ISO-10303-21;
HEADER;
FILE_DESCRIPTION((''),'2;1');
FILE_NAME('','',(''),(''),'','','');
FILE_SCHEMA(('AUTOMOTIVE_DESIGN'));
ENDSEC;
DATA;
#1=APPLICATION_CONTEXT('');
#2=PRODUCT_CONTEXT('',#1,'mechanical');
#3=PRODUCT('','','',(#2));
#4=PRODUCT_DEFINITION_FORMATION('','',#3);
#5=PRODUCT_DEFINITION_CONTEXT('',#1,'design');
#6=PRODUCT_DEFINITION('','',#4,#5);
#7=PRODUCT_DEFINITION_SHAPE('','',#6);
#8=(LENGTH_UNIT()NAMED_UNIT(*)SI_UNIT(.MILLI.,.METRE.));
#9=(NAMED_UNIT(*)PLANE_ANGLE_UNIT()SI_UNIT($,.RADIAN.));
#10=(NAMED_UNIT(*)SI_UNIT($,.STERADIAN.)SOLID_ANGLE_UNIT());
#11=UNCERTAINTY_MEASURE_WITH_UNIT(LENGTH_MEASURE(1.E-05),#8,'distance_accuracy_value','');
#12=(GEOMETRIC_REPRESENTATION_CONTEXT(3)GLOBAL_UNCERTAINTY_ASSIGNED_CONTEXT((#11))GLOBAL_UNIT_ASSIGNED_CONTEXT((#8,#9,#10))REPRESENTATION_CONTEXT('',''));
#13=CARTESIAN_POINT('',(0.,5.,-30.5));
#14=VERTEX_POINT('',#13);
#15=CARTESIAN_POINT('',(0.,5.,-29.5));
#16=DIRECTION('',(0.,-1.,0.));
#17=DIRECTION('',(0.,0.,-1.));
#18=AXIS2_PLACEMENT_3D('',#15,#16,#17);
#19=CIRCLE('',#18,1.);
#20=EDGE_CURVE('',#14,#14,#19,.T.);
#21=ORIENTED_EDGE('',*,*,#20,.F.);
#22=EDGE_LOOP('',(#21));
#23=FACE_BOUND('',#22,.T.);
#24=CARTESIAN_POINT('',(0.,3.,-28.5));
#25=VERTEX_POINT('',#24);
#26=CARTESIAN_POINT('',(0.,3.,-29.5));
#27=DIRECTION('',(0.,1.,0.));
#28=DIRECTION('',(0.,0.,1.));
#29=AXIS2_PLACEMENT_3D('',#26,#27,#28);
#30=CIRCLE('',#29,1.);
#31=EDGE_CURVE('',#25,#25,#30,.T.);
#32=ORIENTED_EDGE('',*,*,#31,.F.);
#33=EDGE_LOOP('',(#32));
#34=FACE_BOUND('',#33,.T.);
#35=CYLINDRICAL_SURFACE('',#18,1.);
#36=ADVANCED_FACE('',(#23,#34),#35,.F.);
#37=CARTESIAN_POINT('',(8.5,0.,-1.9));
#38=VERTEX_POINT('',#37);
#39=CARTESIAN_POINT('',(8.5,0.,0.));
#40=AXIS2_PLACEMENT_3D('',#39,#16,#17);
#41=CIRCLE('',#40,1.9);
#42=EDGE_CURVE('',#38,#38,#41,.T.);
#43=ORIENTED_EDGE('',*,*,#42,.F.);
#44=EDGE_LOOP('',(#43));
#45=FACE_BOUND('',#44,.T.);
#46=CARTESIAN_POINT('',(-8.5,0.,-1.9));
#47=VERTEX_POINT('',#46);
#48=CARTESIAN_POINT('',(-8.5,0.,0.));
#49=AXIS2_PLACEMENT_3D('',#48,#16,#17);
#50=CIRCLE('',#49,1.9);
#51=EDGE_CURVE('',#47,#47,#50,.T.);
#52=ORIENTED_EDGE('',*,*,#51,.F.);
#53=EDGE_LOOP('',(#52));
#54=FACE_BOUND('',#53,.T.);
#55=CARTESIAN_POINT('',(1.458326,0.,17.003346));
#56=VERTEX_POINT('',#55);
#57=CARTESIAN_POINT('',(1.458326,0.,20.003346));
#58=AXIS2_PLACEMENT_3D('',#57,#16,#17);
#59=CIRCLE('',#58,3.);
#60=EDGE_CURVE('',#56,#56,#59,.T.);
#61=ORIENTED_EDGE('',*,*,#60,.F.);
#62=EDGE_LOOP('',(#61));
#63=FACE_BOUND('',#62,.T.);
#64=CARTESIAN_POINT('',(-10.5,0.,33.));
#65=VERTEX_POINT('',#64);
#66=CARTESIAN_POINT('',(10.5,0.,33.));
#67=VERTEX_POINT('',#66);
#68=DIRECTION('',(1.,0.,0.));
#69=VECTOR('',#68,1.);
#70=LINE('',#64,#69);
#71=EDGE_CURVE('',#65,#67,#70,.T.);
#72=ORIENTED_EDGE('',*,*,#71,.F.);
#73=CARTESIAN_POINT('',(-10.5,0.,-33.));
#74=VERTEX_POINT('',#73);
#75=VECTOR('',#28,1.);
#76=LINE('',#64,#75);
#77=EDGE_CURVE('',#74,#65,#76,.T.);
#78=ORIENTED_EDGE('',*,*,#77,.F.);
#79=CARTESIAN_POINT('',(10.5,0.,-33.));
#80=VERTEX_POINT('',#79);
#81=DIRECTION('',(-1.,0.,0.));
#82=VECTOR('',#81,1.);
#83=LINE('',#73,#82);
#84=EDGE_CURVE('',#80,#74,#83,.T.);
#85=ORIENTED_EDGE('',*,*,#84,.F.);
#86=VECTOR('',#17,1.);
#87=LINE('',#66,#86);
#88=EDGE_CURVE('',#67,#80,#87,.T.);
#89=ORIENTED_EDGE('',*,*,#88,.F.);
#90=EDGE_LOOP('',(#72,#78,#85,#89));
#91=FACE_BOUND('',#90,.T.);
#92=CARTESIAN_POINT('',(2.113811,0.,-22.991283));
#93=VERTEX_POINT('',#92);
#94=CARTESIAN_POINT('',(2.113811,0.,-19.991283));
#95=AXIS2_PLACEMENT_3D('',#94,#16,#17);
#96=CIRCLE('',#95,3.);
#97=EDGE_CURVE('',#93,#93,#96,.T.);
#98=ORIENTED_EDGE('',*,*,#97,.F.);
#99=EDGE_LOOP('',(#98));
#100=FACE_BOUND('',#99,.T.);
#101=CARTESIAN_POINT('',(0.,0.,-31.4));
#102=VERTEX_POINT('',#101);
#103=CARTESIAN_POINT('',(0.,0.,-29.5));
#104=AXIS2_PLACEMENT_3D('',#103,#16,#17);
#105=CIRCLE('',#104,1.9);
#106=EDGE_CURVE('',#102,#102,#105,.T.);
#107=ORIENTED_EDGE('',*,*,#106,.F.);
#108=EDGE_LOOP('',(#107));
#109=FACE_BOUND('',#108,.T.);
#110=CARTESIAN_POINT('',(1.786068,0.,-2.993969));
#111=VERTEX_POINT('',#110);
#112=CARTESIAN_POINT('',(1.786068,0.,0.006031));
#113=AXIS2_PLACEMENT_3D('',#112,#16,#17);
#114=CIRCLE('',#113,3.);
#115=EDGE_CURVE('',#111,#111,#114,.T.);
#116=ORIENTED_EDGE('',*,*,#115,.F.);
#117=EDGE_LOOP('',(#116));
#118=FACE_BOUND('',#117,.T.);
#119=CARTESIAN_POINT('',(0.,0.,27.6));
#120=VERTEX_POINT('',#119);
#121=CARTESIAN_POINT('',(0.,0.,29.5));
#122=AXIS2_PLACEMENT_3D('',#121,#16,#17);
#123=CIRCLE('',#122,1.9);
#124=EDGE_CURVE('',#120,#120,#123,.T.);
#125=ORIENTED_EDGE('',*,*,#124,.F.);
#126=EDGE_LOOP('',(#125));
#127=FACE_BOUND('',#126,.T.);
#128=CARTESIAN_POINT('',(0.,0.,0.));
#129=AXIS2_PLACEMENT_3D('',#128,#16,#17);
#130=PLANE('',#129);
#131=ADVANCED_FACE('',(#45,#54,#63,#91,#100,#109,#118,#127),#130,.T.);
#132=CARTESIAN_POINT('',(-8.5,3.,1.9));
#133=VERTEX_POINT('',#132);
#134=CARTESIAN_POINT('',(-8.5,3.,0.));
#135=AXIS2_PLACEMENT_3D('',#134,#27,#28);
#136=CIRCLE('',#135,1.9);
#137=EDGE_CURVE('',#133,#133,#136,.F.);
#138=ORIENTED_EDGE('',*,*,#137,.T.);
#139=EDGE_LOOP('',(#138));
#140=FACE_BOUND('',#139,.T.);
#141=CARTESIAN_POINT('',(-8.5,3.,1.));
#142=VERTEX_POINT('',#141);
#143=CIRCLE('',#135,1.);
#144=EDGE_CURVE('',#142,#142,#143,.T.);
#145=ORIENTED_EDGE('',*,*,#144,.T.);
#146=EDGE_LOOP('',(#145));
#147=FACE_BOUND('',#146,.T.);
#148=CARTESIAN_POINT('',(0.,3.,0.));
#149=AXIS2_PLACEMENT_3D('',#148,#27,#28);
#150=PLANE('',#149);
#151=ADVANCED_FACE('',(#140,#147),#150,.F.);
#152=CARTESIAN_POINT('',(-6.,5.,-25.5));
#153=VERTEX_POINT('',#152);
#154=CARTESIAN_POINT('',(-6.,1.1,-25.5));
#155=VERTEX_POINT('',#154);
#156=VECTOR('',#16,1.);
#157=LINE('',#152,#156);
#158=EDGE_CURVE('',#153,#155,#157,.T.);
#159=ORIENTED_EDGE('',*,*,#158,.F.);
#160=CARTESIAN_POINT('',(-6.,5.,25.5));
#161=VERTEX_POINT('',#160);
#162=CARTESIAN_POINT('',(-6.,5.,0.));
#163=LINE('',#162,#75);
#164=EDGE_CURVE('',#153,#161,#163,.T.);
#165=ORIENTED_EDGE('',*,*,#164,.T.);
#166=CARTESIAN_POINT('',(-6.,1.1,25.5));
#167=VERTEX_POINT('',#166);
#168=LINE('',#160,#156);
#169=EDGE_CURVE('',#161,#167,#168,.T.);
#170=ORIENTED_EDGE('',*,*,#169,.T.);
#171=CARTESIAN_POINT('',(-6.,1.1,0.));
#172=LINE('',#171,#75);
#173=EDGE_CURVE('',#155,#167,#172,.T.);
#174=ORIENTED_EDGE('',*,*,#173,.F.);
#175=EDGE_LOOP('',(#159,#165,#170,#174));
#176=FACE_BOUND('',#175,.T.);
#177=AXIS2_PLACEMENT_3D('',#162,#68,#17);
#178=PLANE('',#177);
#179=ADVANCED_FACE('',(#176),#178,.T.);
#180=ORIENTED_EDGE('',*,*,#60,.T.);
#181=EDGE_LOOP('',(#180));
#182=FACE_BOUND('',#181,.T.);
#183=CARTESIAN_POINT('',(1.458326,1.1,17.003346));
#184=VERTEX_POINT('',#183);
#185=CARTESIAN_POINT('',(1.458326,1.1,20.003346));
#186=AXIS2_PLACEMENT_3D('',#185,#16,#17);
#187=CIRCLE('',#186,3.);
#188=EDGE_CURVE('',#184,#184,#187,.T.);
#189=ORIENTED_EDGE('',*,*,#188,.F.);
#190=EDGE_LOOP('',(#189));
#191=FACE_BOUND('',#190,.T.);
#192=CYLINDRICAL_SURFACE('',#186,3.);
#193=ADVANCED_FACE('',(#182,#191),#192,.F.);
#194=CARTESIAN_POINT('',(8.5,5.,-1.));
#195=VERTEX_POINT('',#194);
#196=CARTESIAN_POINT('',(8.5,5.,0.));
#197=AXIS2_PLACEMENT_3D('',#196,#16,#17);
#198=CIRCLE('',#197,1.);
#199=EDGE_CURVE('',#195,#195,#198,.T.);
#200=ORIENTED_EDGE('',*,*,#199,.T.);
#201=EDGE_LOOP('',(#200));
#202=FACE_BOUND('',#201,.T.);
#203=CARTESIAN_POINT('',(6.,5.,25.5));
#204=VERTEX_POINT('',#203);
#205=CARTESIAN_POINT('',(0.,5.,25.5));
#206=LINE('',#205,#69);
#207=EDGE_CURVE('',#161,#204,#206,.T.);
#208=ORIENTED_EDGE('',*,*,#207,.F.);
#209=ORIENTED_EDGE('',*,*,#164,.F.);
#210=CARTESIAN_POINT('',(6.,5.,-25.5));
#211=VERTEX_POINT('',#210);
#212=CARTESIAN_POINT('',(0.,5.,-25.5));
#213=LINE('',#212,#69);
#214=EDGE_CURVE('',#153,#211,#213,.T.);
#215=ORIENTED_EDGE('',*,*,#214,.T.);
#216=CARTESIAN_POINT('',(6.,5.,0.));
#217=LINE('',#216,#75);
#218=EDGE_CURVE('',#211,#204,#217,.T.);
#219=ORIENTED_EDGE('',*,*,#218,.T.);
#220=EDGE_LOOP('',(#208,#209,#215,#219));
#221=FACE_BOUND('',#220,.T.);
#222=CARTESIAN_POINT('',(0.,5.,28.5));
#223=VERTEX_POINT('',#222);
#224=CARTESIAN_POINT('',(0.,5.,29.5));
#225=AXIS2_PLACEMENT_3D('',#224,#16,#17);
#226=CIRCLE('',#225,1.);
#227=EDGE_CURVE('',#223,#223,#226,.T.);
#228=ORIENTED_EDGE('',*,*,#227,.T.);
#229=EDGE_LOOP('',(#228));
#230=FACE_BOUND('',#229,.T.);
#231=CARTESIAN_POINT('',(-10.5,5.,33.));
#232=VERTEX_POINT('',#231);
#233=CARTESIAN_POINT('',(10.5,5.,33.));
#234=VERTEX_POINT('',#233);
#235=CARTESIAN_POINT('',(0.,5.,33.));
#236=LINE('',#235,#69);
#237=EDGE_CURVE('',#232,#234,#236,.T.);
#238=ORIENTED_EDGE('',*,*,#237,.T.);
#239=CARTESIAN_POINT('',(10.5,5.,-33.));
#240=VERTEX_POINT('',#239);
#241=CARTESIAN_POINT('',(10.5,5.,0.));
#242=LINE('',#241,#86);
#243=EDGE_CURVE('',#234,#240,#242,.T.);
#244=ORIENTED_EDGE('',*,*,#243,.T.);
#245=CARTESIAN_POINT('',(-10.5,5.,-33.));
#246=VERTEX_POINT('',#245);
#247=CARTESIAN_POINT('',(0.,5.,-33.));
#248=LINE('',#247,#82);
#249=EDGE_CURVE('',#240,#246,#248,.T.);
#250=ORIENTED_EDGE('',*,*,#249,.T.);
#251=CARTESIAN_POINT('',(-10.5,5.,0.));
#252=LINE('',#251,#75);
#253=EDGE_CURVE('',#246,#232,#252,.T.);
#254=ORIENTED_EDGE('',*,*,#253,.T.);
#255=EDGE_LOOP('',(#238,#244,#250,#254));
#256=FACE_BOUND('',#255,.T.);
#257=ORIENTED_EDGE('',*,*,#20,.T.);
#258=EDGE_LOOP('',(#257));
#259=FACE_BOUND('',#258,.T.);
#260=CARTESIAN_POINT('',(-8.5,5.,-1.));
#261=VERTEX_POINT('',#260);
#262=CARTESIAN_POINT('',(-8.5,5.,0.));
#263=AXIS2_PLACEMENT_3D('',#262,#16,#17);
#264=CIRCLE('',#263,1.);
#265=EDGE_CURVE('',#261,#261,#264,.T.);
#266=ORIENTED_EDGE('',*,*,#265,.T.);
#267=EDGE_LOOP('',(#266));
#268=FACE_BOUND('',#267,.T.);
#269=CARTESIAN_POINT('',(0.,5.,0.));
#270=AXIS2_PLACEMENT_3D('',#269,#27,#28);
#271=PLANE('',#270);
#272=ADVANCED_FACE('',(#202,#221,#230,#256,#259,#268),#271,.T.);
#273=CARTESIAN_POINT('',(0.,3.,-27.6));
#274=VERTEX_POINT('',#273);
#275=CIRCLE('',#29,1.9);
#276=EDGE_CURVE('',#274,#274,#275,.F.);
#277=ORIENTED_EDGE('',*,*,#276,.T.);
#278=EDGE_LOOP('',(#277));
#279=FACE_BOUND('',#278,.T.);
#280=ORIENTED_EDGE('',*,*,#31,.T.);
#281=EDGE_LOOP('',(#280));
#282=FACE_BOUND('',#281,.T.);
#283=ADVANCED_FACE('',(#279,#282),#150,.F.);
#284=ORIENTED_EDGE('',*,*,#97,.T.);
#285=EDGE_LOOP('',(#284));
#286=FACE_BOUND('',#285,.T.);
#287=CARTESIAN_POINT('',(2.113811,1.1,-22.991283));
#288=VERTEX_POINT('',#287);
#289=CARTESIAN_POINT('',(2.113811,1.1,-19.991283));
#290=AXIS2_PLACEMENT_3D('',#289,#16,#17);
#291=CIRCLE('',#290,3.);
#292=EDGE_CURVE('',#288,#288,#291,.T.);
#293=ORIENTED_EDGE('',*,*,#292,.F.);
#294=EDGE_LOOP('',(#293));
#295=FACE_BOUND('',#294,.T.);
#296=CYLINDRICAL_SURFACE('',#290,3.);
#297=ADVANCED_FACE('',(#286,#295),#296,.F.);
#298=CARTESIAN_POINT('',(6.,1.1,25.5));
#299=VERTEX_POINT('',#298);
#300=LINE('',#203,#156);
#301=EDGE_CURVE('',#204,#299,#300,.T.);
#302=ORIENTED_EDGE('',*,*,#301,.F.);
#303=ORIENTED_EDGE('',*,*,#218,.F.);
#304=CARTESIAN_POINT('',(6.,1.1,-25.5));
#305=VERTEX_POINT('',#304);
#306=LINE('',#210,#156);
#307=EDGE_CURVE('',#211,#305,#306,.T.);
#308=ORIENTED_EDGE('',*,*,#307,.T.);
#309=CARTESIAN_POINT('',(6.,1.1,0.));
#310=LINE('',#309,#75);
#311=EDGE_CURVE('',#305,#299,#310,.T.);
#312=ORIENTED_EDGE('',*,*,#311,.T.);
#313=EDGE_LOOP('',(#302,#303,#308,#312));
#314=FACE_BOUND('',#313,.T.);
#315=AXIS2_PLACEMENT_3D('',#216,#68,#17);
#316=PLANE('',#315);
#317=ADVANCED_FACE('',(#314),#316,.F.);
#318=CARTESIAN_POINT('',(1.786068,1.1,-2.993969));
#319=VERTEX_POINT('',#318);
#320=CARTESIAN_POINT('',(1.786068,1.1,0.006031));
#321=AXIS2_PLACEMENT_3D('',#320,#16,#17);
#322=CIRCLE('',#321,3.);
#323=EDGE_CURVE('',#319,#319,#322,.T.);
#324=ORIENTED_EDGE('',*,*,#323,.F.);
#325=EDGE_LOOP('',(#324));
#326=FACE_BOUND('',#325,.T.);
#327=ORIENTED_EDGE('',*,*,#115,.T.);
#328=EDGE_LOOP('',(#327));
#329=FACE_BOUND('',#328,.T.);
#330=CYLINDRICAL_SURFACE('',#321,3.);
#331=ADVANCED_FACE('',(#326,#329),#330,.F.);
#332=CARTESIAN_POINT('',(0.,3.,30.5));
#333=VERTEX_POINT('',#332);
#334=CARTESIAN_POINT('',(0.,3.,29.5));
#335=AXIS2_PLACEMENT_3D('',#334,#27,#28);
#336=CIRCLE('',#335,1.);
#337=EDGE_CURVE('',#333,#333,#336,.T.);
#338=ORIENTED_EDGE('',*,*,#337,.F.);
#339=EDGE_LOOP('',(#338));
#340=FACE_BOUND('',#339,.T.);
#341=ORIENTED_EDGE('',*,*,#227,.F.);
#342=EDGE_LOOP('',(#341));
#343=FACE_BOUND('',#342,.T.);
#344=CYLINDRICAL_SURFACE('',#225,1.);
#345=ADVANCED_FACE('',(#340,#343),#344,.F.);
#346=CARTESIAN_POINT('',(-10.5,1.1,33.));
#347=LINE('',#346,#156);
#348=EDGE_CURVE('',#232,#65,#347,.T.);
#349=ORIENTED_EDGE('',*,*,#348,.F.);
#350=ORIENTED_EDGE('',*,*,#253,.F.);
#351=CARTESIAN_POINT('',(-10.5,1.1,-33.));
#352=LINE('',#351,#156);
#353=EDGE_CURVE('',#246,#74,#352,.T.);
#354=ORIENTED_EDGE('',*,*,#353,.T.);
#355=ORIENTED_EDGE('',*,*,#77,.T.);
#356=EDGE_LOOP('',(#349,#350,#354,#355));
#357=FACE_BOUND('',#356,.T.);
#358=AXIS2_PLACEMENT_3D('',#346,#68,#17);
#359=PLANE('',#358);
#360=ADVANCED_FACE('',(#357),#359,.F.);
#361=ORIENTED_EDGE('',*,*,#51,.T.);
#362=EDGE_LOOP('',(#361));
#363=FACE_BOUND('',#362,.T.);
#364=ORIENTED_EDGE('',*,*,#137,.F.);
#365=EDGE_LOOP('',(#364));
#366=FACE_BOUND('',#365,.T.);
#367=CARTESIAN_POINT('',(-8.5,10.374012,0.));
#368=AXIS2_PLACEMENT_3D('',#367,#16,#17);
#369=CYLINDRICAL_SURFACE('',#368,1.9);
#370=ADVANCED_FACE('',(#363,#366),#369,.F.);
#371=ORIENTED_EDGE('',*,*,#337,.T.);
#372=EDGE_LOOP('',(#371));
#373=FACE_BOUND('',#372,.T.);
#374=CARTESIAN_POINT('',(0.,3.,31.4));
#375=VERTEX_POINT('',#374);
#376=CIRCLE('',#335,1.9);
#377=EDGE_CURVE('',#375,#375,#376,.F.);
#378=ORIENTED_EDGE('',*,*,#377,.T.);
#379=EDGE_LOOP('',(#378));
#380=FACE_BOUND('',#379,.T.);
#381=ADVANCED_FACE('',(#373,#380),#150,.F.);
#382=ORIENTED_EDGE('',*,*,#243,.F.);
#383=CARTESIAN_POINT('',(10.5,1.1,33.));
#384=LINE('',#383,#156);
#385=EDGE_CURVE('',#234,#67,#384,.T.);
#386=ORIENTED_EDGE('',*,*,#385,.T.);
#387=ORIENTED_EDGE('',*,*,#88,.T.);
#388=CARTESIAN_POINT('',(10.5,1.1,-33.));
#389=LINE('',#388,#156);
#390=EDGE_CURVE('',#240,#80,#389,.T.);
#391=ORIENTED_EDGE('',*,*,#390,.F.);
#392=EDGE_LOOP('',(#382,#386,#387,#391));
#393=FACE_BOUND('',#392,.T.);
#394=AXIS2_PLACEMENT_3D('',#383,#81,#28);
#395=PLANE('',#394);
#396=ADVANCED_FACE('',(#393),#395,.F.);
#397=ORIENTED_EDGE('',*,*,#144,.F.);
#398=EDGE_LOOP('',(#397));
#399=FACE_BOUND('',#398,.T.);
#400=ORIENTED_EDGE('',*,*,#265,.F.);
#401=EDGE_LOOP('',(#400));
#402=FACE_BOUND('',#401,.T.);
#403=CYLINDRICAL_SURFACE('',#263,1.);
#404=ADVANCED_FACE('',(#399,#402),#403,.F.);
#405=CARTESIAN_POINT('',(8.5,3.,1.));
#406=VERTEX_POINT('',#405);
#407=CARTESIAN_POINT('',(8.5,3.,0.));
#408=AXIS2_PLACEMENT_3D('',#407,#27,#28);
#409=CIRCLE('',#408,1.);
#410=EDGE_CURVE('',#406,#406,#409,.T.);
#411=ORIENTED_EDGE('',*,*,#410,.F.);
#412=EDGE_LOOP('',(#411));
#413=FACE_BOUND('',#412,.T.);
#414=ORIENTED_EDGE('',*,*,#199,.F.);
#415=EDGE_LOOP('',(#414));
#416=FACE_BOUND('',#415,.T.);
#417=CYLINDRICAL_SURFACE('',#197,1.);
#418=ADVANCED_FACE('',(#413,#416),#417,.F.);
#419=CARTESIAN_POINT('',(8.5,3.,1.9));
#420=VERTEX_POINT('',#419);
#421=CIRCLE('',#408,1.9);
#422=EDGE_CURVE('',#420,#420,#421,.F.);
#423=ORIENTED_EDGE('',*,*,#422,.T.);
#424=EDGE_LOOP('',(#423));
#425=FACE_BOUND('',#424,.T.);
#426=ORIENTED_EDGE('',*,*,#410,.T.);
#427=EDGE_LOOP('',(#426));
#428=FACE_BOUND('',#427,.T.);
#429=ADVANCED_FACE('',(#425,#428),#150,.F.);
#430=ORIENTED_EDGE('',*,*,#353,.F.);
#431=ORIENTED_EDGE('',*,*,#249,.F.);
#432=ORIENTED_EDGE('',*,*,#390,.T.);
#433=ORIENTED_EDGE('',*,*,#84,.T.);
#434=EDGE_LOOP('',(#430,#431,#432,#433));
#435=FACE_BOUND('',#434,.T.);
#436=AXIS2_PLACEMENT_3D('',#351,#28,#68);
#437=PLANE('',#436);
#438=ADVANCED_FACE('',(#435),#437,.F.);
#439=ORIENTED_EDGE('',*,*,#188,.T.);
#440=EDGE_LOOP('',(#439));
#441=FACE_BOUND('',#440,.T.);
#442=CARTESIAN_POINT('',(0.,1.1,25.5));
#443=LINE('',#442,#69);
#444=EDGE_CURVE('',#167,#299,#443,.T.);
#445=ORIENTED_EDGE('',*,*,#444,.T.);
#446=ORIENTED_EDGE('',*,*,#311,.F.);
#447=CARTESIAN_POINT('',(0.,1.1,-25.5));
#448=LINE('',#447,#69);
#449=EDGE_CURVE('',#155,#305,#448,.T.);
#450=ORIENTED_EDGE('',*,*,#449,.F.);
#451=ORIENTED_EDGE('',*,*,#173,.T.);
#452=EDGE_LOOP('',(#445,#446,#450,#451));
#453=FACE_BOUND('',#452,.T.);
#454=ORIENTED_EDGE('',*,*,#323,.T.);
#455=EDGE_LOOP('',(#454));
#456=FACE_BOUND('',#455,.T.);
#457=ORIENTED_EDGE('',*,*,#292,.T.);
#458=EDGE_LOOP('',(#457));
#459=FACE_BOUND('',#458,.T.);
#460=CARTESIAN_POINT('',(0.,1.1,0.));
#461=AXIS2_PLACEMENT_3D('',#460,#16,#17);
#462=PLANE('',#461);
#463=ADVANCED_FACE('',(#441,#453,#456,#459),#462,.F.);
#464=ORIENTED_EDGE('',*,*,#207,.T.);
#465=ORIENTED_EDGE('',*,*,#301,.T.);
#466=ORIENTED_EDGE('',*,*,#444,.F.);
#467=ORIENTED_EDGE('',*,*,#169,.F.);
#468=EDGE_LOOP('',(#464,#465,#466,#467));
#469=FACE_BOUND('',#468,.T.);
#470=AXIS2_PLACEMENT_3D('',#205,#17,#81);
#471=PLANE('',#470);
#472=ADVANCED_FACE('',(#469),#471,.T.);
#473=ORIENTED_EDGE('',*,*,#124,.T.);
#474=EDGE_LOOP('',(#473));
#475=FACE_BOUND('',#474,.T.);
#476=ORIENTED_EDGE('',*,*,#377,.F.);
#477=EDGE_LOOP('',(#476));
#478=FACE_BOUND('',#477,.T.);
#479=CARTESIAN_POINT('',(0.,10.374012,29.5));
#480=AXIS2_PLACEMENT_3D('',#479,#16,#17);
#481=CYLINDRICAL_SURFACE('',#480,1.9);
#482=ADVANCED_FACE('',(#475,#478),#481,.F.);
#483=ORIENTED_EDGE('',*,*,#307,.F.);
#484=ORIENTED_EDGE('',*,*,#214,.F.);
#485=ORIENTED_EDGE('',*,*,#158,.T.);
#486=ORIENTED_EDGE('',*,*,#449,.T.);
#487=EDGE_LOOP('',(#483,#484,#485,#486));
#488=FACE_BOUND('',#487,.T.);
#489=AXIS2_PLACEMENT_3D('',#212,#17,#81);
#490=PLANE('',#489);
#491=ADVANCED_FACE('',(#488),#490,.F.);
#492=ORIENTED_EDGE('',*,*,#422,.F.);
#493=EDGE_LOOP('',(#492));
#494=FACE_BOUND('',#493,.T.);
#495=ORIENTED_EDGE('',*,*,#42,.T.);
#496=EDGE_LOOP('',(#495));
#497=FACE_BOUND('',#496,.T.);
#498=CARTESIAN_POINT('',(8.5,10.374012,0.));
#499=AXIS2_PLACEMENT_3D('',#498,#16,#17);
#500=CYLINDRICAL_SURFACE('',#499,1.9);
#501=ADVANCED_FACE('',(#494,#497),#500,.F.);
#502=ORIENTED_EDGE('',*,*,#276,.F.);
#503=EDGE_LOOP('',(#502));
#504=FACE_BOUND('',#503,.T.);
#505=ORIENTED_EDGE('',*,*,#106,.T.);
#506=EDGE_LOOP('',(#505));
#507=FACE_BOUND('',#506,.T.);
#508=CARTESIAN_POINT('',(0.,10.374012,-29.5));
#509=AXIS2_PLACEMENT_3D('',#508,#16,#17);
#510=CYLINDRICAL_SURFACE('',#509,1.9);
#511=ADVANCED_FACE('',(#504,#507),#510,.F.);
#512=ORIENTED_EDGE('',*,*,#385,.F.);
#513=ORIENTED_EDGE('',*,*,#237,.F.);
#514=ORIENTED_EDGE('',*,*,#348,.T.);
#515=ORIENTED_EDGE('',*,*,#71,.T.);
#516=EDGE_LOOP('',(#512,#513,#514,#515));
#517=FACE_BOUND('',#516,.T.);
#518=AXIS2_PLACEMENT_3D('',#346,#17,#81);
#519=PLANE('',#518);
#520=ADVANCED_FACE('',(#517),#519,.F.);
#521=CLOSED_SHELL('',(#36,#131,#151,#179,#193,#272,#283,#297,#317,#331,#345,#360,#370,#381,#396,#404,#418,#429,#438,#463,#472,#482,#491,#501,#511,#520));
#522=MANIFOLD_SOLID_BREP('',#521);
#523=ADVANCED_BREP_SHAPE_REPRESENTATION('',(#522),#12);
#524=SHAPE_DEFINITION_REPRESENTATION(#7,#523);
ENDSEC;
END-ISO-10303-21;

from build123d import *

# Parameters (mm, degrees)
SKETCH_1_W          = 21
SKETCH_1_H          = 66
EXTRUDE_1_DEPTH     = 1.1
SKETCH_2_R          = 3
CUT_EXTRUDE_1_DEPTH = 35.647655043
SKETCH_3_W          = 21
SKETCH_3_H          = 66
SKETCH_3_W_2        = 12
SKETCH_3_H_2        = 51
EXTRUDE_2_DEPTH     = 3.9
SKETCH_4_R          = 1.9
SKETCH_4_R_2        = 1
CUT_EXTRUDE_2_DEPTH = 3
SKETCH_4_2_R        = 1
CUT_EXTRUDE_3_DEPTH = 35.989284074


with BuildPart() as part:
    # 草图1 → 凸台-拉伸1 (new body)
    with BuildSketch(Plane(origin=(0, 0, 0), x_dir=(1, 0, 0), z_dir=(0, 1, 0))):
        Rectangle(SKETCH_1_W, SKETCH_1_H)
    extrude(amount=EXTRUDE_1_DEPTH)

    # 草图2 → 切除-拉伸1 (cut, through all)
    with BuildSketch(Plane(origin=(0, 0, 0), x_dir=(-1, 0, 0), z_dir=(0, -1, 0))):
        with Locations(Location((-1.458325738, -20.003345868, 0), (0, 0, 90))):
            Circle(SKETCH_2_R)
        with Locations(Location((-1.786068296, -0.006031428, 0), (0, 0, 90))):
            Circle(SKETCH_2_R)
        with Locations(Location((-2.113810854, 19.991283012, 0), (0, 0, 90))):
            Circle(SKETCH_2_R)
    extrude(amount=-CUT_EXTRUDE_1_DEPTH, mode=Mode.SUBTRACT)

    # 草图3 → 凸台-拉伸2 (add)
    with BuildSketch(Plane(origin=(0, 1.1, 0), x_dir=(1, 0, 0), z_dir=(0, 1, 0))):
        Rectangle(SKETCH_3_W, SKETCH_3_H)
        Rectangle(SKETCH_3_W_2, SKETCH_3_H_2, mode=Mode.SUBTRACT)
    extrude(amount=EXTRUDE_2_DEPTH)

    # 草图4 → 切除-拉伸2 (cut)
    # profile 1 of 4: a face of its own
    with BuildSketch(Plane.XZ):
        with Locations(Location((0, 29.5, 0), (0, 0, 270))):
            Circle(SKETCH_4_R)
        with Locations(Location((0, 29.5, 0), (0, 0, 270))):
            Circle(SKETCH_4_R_2, mode=Mode.SUBTRACT)
    # profile 2 of 4: a face of its own
    with BuildSketch(Plane.XZ):
        with Locations(Location((-8.5, 0, 0), (0, 0, 270))):
            Circle(SKETCH_4_R)
        with Locations(Location((-8.5, 0, 0), (0, 0, 270))):
            Circle(SKETCH_4_R_2, mode=Mode.SUBTRACT)
    # profile 3 of 4: a face of its own
    with BuildSketch(Plane.XZ):
        with Locations(Location((8.5, 0, 0), (0, 0, 270))):
            Circle(SKETCH_4_R)
        with Locations(Location((8.5, 0, 0), (0, 0, 270))):
            Circle(SKETCH_4_R_2, mode=Mode.SUBTRACT)
    # profile 4 of 4: a face of its own
    with BuildSketch(Plane.XZ):
        with Locations(Location((0, -29.5, 0), (0, 0, 270))):
            Circle(SKETCH_4_R)
        with Locations(Location((0, -29.5, 0), (0, 0, 270))):
            Circle(SKETCH_4_R_2, mode=Mode.SUBTRACT)
    extrude(amount=-CUT_EXTRUDE_2_DEPTH, mode=Mode.SUBTRACT)

    # 草图4<2> → 切除-拉伸3 (cut, through all)
    with BuildSketch(Plane.XZ):
        with Locations(Location((-8.5, 0, 0), (0, 0, 270))):
            Circle(SKETCH_4_2_R)
        with Locations(Location((8.5, 0, 0), (0, 0, 270))):
            Circle(SKETCH_4_2_R)
        with Locations(Location((0, 29.5, 0), (0, 0, 270))):
            Circle(SKETCH_4_2_R)
        with Locations(Location((0, -29.5, 0), (0, 0, 270))):
            Circle(SKETCH_4_2_R)
    extrude(amount=-CUT_EXTRUDE_3_DEPTH, mode=Mode.SUBTRACT)


solid = part.part
